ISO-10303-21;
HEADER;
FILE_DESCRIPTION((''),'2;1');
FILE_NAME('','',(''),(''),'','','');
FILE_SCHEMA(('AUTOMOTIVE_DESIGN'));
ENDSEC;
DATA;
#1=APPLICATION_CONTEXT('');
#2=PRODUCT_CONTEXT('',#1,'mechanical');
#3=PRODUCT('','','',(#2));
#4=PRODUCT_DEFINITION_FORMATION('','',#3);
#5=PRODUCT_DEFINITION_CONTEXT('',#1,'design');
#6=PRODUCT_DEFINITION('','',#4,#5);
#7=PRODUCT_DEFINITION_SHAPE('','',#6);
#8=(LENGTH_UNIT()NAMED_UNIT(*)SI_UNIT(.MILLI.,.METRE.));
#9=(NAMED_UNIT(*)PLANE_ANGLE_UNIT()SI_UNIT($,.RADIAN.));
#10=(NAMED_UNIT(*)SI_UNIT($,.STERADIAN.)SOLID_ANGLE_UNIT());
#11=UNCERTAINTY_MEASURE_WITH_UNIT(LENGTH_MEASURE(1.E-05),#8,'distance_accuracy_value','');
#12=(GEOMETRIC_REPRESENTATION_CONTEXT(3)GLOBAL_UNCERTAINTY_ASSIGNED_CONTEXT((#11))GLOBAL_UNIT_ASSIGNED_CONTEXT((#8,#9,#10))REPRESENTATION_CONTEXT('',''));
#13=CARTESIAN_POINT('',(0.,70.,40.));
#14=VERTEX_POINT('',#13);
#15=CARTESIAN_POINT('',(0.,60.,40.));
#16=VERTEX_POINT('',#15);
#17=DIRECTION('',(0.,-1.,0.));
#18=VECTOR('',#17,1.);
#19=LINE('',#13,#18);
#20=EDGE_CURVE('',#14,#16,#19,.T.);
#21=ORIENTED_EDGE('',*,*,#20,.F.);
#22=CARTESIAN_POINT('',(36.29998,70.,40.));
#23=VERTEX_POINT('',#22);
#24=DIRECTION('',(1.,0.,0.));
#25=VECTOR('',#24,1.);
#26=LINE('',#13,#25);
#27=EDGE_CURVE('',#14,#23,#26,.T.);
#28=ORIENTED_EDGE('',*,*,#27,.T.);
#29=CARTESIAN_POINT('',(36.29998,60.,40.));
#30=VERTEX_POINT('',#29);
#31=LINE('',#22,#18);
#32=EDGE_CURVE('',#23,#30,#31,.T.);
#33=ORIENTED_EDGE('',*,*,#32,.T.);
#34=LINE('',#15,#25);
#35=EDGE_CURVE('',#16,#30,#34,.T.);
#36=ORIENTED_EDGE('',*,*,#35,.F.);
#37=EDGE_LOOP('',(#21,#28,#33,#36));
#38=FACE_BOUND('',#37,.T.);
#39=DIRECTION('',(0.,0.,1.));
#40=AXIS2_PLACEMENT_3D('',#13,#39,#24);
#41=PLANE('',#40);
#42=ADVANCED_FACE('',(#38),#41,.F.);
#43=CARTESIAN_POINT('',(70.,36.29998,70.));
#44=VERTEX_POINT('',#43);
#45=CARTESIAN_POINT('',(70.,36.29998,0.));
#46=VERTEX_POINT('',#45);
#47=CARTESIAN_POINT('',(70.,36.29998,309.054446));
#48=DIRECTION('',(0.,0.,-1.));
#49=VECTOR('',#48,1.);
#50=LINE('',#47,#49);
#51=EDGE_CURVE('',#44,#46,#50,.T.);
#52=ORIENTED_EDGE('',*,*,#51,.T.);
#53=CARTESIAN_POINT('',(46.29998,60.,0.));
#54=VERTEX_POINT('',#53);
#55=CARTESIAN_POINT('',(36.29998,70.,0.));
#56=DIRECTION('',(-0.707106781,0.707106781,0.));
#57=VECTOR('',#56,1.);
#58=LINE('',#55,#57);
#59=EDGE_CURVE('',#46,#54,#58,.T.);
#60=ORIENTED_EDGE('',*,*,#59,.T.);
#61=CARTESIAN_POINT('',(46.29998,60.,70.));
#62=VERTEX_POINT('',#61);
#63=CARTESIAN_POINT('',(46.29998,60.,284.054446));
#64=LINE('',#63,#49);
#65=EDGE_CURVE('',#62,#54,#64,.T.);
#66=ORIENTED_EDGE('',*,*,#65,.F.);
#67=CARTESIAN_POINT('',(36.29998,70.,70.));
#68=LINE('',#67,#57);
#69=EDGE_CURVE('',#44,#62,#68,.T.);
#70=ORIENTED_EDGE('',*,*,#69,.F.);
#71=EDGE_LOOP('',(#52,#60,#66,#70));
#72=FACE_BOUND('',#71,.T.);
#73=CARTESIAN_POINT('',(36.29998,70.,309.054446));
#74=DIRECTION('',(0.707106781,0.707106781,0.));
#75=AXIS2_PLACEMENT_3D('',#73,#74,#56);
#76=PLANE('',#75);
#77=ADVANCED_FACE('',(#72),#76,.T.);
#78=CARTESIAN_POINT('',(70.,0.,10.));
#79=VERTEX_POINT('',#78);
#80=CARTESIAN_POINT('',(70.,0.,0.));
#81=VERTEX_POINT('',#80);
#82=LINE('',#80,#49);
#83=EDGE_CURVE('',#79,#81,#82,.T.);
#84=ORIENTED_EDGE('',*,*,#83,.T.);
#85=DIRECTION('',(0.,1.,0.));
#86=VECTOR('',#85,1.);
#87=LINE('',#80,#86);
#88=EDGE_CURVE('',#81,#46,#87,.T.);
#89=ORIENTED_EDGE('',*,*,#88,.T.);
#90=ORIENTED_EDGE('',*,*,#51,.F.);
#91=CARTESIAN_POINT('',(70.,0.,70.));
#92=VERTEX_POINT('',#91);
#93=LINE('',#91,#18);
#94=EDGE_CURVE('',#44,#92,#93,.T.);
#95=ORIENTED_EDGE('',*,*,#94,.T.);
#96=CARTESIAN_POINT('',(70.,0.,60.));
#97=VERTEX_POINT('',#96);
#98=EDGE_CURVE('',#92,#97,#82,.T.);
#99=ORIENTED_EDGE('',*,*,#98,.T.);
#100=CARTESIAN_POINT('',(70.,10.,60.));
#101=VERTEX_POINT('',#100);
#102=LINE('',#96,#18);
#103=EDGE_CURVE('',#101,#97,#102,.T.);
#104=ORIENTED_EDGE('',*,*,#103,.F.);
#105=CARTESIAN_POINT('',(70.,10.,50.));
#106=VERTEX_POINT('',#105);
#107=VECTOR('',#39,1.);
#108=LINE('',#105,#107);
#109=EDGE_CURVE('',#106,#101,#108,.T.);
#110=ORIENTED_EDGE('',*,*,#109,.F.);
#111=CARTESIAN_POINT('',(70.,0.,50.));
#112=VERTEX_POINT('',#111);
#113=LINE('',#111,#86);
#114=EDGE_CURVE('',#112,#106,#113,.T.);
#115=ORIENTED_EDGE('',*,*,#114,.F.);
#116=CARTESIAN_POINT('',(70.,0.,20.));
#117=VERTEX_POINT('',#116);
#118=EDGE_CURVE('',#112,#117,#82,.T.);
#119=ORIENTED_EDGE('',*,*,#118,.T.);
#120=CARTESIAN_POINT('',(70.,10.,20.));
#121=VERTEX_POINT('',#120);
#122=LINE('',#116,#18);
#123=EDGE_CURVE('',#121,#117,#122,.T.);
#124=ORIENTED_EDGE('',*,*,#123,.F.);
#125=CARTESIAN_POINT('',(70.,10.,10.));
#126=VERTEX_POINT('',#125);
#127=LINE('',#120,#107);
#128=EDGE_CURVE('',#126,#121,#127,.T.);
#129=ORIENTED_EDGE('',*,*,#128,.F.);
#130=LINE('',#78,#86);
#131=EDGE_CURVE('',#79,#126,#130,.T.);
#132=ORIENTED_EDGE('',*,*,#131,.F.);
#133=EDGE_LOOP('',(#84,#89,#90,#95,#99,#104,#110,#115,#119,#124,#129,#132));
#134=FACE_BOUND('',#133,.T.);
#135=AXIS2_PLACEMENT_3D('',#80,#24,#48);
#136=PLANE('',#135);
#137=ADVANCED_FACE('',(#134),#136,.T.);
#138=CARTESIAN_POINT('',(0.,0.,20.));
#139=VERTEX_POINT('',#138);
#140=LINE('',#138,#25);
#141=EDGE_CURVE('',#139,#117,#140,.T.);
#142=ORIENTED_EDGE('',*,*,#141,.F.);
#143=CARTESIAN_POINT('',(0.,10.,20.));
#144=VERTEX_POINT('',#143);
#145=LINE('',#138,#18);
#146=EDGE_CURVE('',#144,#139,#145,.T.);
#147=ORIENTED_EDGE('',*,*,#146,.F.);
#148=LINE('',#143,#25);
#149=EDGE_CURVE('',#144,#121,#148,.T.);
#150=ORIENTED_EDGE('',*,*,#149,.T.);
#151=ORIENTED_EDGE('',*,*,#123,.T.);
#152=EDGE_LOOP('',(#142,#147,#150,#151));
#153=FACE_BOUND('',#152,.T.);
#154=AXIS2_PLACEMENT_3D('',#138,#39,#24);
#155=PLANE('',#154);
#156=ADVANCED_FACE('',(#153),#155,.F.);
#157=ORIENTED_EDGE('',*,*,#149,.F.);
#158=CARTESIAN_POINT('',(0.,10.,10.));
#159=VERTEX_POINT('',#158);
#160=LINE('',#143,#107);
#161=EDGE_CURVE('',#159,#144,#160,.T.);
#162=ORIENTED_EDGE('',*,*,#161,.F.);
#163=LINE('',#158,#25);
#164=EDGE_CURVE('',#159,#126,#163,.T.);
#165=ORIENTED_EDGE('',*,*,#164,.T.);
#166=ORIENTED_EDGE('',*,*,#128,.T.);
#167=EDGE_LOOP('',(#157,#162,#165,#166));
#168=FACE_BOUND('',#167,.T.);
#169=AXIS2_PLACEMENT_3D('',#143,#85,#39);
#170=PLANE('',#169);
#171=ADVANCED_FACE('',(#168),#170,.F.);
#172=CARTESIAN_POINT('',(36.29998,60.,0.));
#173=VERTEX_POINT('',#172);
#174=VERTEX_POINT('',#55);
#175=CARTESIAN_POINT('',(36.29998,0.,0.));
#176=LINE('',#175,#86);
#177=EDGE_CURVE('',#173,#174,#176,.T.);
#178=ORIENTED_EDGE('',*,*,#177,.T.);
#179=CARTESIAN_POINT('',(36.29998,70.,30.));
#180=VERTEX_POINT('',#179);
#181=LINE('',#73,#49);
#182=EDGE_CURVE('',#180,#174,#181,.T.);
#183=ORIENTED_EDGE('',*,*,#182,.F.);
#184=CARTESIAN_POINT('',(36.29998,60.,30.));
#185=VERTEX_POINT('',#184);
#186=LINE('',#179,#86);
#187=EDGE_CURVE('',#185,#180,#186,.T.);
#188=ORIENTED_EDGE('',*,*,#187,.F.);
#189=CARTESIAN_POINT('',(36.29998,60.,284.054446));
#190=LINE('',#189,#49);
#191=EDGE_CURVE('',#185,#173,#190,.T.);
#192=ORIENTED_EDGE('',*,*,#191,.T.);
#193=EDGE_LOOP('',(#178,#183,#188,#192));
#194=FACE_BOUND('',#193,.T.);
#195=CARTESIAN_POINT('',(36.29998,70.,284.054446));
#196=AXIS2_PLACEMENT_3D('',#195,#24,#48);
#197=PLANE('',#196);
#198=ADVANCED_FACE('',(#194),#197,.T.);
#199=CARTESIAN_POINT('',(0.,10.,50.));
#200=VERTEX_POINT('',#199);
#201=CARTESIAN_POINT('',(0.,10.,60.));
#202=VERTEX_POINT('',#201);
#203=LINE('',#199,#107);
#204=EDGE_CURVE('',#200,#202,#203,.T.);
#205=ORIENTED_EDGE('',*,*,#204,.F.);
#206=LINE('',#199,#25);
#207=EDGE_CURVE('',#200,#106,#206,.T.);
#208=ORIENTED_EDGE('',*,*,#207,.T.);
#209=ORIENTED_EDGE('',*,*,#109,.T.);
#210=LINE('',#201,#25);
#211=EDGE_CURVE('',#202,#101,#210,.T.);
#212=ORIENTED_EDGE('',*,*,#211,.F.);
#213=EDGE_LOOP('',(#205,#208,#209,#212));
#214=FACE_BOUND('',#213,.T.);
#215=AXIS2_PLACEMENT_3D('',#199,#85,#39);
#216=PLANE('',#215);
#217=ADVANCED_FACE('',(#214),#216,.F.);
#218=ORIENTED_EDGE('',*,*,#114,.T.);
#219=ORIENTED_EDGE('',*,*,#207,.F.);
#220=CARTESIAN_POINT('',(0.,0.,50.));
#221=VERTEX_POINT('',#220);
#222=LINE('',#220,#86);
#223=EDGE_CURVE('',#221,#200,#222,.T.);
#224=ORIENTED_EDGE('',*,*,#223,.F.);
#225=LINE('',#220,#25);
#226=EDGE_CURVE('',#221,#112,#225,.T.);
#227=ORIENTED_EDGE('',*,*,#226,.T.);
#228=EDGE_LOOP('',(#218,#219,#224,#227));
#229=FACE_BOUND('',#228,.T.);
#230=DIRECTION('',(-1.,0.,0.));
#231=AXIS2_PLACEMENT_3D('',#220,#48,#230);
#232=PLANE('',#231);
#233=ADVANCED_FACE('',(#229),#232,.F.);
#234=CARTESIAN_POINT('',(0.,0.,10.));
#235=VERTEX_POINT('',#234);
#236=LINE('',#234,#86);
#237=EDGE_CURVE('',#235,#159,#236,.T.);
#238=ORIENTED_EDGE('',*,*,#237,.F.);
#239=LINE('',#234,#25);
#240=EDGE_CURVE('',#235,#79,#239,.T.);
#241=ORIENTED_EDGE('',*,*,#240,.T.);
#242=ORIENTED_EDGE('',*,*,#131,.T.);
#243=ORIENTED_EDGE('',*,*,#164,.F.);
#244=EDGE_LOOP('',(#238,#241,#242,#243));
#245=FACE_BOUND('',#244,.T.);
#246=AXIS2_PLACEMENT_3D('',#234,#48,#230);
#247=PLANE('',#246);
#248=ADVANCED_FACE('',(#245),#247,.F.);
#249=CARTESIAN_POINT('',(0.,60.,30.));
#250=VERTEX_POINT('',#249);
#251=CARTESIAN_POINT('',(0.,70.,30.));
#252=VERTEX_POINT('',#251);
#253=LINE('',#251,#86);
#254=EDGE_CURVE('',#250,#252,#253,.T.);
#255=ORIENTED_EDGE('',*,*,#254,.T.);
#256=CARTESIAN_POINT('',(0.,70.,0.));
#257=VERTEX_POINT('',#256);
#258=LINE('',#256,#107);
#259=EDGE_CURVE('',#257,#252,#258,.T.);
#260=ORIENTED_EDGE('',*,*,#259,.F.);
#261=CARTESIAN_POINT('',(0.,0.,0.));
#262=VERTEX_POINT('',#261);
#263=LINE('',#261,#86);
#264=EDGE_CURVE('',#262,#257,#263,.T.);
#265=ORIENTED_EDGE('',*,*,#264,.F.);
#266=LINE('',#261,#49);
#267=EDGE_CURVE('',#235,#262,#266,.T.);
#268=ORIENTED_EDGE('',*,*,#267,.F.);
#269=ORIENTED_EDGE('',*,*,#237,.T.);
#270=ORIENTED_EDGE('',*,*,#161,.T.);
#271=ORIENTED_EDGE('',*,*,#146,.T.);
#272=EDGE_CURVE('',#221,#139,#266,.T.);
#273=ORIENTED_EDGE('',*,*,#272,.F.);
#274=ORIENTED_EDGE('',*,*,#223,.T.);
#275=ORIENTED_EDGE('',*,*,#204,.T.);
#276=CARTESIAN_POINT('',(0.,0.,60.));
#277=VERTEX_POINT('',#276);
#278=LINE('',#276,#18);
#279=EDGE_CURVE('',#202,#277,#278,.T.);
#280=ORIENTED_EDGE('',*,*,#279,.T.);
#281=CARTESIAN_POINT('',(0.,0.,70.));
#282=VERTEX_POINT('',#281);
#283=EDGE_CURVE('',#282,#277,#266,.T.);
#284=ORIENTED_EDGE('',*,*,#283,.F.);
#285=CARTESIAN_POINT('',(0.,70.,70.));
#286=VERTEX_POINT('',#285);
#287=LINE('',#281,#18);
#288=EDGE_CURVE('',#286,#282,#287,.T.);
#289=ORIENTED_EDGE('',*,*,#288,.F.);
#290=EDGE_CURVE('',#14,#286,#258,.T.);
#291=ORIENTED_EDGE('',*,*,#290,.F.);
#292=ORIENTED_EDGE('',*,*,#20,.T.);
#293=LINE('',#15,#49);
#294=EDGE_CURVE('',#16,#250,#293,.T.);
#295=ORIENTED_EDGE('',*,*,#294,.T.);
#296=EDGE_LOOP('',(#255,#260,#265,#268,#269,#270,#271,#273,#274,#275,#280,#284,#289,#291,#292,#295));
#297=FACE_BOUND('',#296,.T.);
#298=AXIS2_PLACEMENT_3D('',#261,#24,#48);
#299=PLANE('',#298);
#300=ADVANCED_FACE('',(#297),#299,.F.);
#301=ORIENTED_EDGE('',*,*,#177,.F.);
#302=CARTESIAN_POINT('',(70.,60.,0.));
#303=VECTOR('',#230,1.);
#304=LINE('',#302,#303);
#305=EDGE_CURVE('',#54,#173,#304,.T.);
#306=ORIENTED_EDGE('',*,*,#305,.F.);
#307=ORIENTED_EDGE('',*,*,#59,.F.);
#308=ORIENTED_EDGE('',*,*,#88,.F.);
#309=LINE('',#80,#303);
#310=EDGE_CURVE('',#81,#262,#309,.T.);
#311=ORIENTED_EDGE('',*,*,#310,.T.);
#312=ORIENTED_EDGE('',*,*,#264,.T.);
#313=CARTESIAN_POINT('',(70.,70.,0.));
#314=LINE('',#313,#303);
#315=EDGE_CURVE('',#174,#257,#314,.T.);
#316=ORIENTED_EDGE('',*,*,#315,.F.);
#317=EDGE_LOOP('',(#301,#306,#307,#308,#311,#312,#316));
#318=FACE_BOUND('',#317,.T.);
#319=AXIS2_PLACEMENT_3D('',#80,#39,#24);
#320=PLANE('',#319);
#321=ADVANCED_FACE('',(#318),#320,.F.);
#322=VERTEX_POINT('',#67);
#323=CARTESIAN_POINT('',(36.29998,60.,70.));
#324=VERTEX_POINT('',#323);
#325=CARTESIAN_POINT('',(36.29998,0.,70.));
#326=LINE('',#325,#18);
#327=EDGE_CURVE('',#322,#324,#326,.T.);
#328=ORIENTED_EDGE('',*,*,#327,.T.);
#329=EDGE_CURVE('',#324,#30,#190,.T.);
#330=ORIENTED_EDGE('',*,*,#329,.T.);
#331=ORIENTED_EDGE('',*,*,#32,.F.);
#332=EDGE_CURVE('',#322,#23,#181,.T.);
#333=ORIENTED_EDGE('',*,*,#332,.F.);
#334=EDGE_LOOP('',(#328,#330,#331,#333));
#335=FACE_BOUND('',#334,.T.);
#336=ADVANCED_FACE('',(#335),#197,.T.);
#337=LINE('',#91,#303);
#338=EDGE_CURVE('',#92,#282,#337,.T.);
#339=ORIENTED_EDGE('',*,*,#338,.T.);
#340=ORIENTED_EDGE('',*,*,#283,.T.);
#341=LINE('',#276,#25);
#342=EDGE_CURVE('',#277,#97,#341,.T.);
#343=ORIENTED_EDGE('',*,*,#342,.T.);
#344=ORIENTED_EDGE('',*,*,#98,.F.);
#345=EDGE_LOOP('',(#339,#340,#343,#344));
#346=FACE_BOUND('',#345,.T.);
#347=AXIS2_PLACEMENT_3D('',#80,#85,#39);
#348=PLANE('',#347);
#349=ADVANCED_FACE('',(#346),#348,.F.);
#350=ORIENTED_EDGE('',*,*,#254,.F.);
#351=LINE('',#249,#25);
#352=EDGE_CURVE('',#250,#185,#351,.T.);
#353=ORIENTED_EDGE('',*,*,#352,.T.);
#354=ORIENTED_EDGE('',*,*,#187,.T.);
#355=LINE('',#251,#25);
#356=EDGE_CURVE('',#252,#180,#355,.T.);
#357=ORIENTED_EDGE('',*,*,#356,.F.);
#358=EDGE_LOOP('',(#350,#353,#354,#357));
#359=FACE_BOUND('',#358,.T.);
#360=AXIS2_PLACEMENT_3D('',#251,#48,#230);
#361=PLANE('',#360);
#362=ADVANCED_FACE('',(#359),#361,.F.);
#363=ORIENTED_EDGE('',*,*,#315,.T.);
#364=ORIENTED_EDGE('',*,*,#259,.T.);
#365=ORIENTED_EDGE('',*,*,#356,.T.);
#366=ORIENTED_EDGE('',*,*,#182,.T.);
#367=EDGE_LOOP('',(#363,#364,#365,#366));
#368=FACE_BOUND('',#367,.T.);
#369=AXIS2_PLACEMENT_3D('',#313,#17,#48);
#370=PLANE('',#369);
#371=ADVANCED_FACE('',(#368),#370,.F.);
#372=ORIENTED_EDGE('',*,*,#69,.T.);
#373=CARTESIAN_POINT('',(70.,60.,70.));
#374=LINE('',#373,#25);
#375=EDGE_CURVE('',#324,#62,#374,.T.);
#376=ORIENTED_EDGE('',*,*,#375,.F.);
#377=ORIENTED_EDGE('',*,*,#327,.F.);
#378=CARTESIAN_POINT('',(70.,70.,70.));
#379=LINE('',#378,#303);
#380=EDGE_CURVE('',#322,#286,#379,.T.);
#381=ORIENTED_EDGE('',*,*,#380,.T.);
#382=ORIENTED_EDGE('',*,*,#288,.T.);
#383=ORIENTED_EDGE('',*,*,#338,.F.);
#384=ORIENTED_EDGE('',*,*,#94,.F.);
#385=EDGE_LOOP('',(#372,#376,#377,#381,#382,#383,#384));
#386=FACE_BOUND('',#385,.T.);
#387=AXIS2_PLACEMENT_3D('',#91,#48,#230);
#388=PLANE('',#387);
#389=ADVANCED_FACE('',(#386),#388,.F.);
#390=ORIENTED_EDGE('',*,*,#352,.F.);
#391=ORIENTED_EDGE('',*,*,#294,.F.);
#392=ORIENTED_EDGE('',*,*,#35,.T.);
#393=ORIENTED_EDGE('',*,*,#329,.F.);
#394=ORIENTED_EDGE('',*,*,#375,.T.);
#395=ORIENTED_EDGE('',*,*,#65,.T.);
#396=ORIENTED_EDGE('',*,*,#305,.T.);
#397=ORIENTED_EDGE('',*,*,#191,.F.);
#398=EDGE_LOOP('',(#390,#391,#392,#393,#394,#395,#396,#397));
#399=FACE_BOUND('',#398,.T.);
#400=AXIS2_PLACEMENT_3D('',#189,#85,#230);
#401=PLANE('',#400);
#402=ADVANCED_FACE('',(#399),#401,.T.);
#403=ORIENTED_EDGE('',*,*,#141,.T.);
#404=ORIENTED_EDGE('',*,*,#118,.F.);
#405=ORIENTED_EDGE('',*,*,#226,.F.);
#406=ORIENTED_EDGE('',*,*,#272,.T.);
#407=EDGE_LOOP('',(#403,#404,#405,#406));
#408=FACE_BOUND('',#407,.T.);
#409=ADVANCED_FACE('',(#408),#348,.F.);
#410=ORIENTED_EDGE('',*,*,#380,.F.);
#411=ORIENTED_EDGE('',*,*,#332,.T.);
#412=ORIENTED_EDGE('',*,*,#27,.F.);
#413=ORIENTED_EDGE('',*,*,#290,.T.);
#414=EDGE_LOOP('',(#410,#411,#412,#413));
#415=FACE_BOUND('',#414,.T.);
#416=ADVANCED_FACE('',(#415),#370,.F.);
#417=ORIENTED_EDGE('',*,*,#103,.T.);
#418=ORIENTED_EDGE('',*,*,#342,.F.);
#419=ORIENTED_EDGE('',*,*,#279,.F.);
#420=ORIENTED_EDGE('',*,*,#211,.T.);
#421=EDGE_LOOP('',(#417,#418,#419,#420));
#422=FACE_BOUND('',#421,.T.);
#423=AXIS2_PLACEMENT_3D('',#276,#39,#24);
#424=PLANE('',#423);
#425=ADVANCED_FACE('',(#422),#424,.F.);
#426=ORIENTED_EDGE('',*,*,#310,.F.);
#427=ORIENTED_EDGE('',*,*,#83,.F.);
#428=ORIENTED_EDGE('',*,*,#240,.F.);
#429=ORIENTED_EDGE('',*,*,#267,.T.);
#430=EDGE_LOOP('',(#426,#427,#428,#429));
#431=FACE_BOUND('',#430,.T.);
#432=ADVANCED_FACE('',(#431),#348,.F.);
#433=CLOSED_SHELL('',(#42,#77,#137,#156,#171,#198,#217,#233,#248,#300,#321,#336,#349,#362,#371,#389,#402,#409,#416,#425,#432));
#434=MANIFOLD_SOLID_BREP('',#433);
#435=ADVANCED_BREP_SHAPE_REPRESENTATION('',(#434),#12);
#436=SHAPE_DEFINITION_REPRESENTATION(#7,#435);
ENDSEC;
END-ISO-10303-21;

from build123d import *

# Parameters (mm, degrees)
CROQUIS1_W                 = 70
CROQUIS1_H                 = 70
SALIENTE_EXTRUIR1_DEPTH    = 70
CORTAR_EXTRUIR1_DEPTH      = 122.24355653
CORTAR_EXTRUIR1_DEPTH_BACK = 70
CROQUIS3_W                 = 10
CROQUIS3_H                 = 10
CORTAR_EXTRUIR2_DEPTH      = 70
CORTAR_EXTRUIR3_DEPTH      = 122.24355653
CORTAR_EXTRUIR3_DEPTH_BACK = 122.24355653
CORTAR_EXTRUIR4_DEPTH      = 106.44045021
CORTAR_EXTRUIR4_DEPTH_BACK = 106.44045021
CROQUIS5_W                 = 10
CROQUIS5_H                 = 10


with BuildPart() as part:
    # Croquis1 → Saliente-Extruir1 (new body)
    with BuildSketch(Plane(origin=(0, 0, 0), x_dir=(0, 0, -1), z_dir=(1, 0, 0))):
        with Locations((-35, 35)):
            Rectangle(CROQUIS1_W, CROQUIS1_H)
    extrude(amount=SALIENTE_EXTRUIR1_DEPTH)

    # Croquis2 → Cortar-Extruir1 (cut, two sides: drawn at the far end of the back side and taken through both)
    with BuildSketch(Plane.XY.offset(70).offset(-CORTAR_EXTRUIR1_DEPTH_BACK)):
        Polygon((-82.285109819, 188.585089714), (36.299979895, 70), (70, 36.299979895), (188.585089714, -82.285109819), (425.755269142, 154.885069609), (154.885069609, 425.755269142), align=None)
    extrude(amount=CORTAR_EXTRUIR1_DEPTH + CORTAR_EXTRUIR1_DEPTH_BACK, mode=Mode.SUBTRACT)

    # Croquis3 → Cortar-Extruir2 (cut)
    with BuildSketch(Plane(origin=(70, 0, 0), x_dir=(0, 0, -1), z_dir=(1, 0, 0))):
        with Locations((-15, 5)):
            Rectangle(CROQUIS3_W, CROQUIS3_H)
        with Locations((-55, 5)):
            Rectangle(CROQUIS3_W, CROQUIS3_H)
    extrude(amount=-CORTAR_EXTRUIR2_DEPTH, mode=Mode.SUBTRACT)

    # Croquis4 → Cortar-Extruir3 (cut, two sides: drawn at the far end of the back side and taken through both)
    with BuildSketch(Plane.XY.offset(70).offset(-CORTAR_EXTRUIR3_DEPTH_BACK)):
        Polygon((36.299979895, 237.704642169), (36.299979895, 70), (36.299979895, 60), (46.299979895, 60), (214.004622064, 60), (451.174801491, 297.170179428), (273.470159323, 474.874821596), align=None)
    extrude(amount=CORTAR_EXTRUIR3_DEPTH + CORTAR_EXTRUIR3_DEPTH_BACK, mode=Mode.SUBTRACT)

    # Croquis5 → Cortar-Extruir4 (cut, two sides: drawn at the far end of the back side and taken through both)
    with BuildSketch(Plane(origin=(36.299979895, 0, 0), x_dir=(0, 0, -1), z_dir=(1, 0, 0)).offset(-CORTAR_EXTRUIR4_DEPTH_BACK)):
        with Locations((-35, 65)):
            Rectangle(CROQUIS5_W, CROQUIS5_H)
    extrude(amount=CORTAR_EXTRUIR4_DEPTH + CORTAR_EXTRUIR4_DEPTH_BACK, mode=Mode.SUBTRACT)


solid = part.part
